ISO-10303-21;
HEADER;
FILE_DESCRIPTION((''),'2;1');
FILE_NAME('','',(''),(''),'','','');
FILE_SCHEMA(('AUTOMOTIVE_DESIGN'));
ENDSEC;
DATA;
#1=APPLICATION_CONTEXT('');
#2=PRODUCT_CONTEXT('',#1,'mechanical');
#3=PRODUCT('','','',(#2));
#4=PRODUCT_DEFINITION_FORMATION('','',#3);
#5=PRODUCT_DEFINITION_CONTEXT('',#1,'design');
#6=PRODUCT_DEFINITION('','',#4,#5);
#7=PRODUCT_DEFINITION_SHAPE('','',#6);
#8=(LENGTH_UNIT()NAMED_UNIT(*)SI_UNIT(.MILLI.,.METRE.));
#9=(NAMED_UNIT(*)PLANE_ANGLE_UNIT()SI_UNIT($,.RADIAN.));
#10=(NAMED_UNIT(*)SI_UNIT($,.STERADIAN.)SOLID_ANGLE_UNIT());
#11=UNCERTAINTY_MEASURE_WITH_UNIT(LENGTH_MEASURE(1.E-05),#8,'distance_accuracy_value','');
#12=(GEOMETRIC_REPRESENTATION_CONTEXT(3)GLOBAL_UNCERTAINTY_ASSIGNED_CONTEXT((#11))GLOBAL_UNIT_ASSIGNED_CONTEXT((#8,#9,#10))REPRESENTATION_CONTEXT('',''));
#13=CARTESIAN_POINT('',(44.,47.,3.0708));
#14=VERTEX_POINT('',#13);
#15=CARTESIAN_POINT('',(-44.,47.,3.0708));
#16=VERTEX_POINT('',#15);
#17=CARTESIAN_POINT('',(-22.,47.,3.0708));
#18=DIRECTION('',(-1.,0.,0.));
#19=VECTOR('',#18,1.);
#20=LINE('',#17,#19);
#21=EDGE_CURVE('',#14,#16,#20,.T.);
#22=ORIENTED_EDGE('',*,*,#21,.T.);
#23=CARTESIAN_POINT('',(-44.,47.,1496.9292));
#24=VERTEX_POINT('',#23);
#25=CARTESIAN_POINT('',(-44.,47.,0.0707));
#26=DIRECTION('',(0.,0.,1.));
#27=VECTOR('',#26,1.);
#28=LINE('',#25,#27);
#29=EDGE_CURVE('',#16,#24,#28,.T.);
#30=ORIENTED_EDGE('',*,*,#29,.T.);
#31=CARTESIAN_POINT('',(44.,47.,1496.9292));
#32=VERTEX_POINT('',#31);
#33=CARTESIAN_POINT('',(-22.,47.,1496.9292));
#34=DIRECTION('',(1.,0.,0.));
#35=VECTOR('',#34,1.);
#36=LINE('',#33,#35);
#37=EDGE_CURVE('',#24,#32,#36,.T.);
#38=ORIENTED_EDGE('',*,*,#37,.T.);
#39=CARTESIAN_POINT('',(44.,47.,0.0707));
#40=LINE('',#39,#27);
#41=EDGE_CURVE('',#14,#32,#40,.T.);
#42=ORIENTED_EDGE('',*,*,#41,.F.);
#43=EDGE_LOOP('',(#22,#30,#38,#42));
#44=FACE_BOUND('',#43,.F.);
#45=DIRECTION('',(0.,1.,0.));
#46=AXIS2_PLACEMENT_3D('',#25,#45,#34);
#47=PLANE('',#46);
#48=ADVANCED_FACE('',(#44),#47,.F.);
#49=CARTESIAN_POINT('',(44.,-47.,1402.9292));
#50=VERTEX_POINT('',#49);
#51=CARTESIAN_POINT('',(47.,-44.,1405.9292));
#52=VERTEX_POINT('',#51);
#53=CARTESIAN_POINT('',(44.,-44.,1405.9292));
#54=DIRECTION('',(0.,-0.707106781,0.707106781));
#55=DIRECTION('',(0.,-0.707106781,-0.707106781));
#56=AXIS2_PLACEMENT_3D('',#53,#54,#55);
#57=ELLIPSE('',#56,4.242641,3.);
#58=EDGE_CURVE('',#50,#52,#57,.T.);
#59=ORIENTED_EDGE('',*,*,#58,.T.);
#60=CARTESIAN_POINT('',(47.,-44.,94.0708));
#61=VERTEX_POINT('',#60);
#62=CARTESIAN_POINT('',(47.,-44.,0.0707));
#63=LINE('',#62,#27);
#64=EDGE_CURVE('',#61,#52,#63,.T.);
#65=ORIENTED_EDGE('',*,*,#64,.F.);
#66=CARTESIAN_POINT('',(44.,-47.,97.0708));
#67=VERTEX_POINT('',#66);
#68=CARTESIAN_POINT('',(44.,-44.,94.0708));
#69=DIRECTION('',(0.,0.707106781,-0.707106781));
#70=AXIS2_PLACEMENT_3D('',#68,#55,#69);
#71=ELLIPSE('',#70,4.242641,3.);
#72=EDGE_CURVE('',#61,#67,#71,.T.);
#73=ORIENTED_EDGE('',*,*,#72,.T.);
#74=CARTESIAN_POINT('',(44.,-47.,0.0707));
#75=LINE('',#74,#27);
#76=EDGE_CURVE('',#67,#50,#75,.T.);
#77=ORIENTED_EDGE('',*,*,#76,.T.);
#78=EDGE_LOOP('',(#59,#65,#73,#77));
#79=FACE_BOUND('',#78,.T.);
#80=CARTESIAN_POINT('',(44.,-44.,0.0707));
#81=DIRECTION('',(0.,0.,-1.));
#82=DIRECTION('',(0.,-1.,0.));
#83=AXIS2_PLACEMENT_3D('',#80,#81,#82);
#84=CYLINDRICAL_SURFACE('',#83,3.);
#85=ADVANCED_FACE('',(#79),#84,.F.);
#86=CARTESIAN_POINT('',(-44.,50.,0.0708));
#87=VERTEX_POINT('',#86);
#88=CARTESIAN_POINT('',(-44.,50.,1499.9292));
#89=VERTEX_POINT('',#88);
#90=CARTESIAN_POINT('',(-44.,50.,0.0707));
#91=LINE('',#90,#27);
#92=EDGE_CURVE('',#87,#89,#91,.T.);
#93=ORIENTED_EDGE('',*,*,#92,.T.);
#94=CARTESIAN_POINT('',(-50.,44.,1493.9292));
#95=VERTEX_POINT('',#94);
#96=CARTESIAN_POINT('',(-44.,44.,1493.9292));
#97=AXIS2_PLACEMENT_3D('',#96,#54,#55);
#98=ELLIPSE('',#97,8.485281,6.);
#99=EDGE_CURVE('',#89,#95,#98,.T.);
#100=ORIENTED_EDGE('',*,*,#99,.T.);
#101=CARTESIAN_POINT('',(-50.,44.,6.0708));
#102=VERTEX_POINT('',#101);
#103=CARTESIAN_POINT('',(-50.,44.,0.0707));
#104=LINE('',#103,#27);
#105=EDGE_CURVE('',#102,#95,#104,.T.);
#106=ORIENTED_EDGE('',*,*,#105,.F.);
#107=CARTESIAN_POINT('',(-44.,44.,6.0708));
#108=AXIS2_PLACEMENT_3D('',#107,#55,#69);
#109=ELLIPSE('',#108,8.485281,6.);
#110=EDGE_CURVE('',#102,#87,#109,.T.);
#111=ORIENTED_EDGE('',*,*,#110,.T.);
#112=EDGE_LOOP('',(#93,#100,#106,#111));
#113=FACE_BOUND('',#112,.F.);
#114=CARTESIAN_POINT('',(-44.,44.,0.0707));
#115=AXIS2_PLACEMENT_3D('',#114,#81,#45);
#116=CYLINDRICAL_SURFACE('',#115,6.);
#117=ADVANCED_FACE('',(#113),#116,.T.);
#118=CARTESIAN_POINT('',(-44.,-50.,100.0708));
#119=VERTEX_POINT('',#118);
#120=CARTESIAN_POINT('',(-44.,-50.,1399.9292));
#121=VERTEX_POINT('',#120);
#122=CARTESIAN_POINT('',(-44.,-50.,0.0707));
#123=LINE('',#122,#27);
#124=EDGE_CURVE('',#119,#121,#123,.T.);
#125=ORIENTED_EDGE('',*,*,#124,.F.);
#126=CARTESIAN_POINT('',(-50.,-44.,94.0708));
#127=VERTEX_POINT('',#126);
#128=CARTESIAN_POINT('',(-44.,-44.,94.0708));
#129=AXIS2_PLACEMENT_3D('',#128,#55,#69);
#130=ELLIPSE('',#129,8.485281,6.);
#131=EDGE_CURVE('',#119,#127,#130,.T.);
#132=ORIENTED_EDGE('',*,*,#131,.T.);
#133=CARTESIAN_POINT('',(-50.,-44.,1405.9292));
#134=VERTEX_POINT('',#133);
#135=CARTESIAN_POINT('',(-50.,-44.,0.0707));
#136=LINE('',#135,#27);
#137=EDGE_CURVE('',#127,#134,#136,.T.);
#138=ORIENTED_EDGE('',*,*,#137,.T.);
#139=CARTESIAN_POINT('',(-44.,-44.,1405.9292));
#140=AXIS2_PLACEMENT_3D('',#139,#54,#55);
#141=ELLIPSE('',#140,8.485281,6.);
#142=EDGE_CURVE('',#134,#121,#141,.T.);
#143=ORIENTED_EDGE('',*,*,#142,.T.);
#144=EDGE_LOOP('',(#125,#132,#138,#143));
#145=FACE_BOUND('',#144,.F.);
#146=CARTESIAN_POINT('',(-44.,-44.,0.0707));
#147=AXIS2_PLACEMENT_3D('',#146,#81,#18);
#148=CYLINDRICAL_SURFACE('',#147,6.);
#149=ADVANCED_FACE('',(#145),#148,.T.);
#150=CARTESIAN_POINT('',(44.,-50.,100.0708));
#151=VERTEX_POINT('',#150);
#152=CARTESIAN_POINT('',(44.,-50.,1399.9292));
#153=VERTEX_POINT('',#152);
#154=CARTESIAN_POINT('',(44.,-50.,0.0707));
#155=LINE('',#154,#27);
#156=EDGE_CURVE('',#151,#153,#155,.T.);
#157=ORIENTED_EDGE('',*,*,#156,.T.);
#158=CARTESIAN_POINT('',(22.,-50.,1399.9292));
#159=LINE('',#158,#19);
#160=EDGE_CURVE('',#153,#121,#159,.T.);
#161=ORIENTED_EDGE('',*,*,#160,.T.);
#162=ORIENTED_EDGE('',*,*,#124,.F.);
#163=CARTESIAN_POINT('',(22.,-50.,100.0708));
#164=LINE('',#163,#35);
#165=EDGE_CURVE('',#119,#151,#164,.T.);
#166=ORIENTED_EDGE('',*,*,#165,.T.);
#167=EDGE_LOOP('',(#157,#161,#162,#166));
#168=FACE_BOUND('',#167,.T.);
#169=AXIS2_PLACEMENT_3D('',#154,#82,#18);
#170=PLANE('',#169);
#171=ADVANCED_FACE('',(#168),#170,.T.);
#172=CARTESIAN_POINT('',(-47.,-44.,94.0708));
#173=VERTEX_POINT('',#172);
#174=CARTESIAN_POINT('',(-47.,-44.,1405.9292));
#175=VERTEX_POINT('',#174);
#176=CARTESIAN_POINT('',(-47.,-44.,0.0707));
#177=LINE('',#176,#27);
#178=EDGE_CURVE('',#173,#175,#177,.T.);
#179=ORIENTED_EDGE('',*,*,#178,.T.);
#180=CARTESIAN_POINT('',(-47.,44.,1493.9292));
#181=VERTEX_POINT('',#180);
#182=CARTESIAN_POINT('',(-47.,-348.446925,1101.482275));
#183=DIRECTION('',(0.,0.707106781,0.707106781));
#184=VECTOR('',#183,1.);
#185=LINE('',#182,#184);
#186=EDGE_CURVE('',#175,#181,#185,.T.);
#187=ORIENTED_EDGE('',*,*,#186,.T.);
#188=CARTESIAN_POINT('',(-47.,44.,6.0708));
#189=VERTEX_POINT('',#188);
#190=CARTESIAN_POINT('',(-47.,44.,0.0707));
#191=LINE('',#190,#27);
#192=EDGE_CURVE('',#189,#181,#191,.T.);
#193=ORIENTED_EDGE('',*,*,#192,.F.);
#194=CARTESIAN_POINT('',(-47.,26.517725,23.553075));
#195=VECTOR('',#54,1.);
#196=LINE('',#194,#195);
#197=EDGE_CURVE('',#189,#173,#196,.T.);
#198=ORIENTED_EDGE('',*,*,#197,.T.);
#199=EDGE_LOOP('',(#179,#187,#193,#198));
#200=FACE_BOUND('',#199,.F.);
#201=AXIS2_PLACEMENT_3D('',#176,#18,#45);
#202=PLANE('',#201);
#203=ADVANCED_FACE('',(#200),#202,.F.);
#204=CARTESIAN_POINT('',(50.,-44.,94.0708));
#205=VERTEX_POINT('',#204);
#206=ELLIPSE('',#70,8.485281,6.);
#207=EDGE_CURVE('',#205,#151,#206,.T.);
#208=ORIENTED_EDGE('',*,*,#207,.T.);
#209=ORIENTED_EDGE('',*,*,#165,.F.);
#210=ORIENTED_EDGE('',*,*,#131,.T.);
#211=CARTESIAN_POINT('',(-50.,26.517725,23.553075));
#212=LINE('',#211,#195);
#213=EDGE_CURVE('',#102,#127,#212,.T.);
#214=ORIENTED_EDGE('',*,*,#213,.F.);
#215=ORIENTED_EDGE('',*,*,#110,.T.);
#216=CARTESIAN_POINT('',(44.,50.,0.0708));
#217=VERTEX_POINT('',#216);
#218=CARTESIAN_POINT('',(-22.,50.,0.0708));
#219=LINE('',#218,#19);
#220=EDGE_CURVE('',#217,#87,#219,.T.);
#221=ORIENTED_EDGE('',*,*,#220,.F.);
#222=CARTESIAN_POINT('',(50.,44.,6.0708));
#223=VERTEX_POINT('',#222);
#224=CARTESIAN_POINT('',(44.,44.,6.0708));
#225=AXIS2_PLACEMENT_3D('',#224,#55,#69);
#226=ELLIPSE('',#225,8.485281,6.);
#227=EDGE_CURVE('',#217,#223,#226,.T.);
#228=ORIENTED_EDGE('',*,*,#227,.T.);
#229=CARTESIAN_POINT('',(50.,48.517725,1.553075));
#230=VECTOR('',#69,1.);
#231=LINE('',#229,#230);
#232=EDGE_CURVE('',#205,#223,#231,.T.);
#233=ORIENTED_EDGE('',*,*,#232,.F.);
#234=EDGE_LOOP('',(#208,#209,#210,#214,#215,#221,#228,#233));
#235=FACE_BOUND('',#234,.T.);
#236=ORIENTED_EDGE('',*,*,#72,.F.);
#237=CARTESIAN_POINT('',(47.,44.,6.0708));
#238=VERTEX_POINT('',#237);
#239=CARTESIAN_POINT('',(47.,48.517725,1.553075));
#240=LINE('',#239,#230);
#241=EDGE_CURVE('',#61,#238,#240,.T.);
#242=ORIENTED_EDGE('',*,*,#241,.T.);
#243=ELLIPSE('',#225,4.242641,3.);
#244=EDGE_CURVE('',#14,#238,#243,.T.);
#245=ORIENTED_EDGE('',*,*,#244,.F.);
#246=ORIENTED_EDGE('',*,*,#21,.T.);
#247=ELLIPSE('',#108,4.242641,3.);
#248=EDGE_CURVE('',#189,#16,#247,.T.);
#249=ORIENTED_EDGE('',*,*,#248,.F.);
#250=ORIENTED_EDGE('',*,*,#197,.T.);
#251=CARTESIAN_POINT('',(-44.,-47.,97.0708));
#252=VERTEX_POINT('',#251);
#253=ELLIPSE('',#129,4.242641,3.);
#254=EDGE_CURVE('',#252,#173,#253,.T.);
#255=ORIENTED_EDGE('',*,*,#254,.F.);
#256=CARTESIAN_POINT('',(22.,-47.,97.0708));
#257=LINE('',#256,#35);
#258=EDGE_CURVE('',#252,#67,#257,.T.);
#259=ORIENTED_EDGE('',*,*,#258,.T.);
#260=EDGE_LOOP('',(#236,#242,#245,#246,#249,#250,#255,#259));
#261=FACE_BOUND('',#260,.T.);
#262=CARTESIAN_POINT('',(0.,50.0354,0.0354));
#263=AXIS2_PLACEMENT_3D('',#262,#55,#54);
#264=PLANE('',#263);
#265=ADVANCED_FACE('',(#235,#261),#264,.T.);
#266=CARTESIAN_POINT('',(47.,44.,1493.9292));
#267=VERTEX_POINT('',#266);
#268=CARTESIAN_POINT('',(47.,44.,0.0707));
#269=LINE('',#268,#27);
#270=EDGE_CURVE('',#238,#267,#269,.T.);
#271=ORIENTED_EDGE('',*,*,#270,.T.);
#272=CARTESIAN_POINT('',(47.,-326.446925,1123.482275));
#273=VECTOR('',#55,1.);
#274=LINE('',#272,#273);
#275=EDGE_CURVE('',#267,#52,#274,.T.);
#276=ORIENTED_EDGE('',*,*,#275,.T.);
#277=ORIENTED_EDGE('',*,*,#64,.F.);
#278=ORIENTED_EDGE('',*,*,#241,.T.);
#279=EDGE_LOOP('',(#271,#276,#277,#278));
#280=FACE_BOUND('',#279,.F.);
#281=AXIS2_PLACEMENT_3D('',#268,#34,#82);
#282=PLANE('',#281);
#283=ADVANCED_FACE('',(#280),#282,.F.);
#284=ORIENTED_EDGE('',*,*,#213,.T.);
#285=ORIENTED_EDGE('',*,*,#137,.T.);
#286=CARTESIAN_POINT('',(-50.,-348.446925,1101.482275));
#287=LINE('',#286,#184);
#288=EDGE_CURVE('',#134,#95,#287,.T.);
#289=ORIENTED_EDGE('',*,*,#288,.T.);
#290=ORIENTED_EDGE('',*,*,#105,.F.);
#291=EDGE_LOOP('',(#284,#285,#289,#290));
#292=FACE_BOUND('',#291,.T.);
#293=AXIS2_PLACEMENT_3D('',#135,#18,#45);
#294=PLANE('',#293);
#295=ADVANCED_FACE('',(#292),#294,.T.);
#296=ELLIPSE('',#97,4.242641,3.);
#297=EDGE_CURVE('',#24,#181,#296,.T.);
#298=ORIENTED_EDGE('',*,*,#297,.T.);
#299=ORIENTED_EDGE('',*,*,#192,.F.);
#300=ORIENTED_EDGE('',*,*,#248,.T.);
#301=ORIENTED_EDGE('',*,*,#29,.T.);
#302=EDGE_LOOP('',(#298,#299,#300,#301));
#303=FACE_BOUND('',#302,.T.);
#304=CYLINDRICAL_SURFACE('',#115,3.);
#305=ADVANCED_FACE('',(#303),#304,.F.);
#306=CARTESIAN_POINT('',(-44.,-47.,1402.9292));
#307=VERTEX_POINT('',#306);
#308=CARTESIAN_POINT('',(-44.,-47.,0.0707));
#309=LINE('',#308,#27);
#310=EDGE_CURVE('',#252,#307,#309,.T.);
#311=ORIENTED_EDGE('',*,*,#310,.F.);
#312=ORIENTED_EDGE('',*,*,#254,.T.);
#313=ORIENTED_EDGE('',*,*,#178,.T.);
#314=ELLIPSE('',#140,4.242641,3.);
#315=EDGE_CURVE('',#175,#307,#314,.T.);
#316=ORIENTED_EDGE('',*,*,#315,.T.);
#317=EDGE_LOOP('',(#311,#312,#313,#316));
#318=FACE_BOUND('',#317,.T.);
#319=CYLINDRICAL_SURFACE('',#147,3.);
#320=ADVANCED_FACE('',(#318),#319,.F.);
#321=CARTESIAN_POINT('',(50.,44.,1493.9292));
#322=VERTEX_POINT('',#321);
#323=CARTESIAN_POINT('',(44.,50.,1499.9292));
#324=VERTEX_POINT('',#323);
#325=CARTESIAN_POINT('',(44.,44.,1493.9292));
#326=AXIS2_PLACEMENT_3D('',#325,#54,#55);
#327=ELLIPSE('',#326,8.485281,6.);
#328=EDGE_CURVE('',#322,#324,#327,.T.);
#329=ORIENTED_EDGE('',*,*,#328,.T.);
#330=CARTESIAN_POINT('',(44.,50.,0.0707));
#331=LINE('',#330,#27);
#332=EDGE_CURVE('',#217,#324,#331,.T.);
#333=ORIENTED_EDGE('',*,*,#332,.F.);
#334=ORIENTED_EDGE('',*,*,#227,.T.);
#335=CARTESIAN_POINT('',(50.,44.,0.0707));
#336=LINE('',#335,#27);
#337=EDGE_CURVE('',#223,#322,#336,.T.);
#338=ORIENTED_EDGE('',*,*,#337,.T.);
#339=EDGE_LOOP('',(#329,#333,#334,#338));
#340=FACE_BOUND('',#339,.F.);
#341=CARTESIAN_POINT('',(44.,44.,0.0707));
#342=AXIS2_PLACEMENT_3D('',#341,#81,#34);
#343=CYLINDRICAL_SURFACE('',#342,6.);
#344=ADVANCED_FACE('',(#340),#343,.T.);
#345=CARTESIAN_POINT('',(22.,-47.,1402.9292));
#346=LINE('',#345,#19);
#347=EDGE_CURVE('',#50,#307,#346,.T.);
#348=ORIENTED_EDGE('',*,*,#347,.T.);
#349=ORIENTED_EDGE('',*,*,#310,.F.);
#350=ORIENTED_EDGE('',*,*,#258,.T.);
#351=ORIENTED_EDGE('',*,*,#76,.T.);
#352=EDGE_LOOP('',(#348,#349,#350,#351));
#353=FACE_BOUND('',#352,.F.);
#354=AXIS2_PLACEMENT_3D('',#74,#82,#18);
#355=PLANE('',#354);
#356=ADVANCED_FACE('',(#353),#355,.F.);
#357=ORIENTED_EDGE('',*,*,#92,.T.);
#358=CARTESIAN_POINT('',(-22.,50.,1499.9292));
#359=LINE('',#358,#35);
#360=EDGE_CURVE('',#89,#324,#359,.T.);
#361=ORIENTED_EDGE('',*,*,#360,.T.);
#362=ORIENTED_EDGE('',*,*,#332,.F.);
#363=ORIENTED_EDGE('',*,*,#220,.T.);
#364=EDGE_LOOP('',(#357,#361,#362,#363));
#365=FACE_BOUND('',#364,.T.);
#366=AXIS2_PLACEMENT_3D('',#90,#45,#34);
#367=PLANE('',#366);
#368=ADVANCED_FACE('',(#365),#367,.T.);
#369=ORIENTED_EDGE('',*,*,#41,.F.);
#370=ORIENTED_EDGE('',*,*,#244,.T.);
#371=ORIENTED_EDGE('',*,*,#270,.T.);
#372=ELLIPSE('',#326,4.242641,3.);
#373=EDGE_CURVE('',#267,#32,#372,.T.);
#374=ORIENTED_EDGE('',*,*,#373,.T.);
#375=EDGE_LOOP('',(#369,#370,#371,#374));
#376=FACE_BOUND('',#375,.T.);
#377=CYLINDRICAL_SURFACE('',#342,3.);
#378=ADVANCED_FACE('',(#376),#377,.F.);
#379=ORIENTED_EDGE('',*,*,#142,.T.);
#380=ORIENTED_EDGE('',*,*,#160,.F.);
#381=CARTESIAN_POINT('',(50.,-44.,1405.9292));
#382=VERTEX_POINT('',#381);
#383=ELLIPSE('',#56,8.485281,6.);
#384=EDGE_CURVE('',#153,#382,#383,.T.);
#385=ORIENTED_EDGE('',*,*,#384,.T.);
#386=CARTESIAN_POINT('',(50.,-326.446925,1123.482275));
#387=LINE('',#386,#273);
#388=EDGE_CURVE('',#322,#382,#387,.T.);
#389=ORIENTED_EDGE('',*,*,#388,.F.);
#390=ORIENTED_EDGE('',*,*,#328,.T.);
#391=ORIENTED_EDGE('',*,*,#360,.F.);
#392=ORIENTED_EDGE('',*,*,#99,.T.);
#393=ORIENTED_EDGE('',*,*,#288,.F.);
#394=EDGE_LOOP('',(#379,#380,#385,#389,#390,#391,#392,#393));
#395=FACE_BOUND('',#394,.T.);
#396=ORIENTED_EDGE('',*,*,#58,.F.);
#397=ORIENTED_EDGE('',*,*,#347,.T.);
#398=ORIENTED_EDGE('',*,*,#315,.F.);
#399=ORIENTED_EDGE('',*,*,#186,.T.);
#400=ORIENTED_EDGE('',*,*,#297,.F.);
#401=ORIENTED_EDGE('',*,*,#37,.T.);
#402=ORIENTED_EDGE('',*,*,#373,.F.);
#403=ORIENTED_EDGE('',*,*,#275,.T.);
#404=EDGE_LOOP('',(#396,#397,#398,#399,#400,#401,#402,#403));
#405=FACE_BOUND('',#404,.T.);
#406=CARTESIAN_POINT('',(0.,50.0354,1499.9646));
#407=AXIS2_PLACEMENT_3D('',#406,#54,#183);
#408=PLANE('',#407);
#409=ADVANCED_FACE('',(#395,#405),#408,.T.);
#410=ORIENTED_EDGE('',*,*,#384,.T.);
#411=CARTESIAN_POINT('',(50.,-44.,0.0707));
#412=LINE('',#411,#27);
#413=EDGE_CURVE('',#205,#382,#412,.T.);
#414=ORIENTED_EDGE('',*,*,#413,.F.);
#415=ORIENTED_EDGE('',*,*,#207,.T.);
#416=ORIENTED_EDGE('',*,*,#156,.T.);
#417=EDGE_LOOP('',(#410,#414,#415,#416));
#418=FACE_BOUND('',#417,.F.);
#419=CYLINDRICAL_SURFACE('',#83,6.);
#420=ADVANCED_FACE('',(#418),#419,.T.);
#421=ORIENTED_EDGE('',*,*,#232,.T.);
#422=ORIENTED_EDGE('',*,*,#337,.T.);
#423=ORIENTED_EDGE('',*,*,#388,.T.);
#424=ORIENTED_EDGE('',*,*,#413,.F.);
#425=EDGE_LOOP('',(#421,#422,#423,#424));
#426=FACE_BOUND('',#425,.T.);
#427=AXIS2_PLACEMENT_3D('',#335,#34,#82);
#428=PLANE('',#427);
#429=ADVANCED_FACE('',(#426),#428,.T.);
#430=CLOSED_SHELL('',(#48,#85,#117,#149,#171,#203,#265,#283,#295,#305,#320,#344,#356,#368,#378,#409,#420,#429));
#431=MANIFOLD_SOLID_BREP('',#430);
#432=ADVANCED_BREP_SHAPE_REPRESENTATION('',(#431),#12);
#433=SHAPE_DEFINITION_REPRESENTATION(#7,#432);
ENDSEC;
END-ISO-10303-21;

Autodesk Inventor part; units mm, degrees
ref_plane "Start Plane" through (0, 0, 0.0707) normal (0, 0, 1) x (1, 0, 0)
ref_plane "End Plane" through (0, 0, 1499.9293) normal (0, 0, 1) x (1, 0, 0)
sketch "Sketch" plane through (0, 0, 0) normal (0, 0, 1) x (1, 0, 0)
  line L0 (-50, -44) -> (-50, 44)
  line L1 (-44, 50) -> (44, 50)
  line L2 (50, 44) -> (50, -44)
  line L3 (44, -50) -> (-44, -50)
  arc A0 (-50, -44) -> (-44, -50) centre (-44, -44) ccw
  arc A1 (50, 44) -> (44, 50) centre (44, 44) ccw
  arc A2 (-44, 50) -> (-50, 44) centre (-44, 44) ccw
  arc A3 (44, -50) -> (50, -44) centre (44, -44) ccw
  arc A4 (-44, 47) -> (-47, 44) centre (-44, 44) ccw
  line L4 (-44, 47) -> (44, 47)
  arc A5 (47, 44) -> (44, 47) centre (44, 44) ccw
  line L5 (47, 44) -> (47, -44)
  arc A6 (44, -47) -> (47, -44) centre (44, -44) ccw
  line L6 (44, -47) -> (-44, -47)
  arc A7 (-47, -44) -> (-44, -47) centre (-44, -44) ccw
  line L7 (-47, -44) -> (-47, 44)
  line L8 (0, 71.7397) -> (0, -71.7397) construction
  line L9 (-71.7397, 0) -> (71.7397, 0) construction
  dimension "d7" = 6
  dimension "d9" = 100
  dimension "d11" = 100
  dimension "d12" = 3
  dimension "d15" = 50
  dimension "d16" = 50
extrude "Body" add sketch "Sketch" along normal up to surface (1499.8586 mm away) from surface at 0.0707
sketch "Sketch3" plane through (0, 0, 0) normal (0, 0, 1) x (1, 0, 0)
  line L0 (0, 0) -> (10, 0)
ref_plane "Work Plane3" through (0, 0, 0) normal (0, -1, 0) x (1, 0, 0)
ref_plane "Work Plane4" through (0, 50.0354, 0.0354) normal (0, -0.7071, -0.7071) x (1, 0, 0)
split "Split1" plane through (0, 50.0354, 0.0354) removes the side toward (0, -0.7071, -0.7071)
ref_plane "Work Plane5" through (0, 50.0354, 1499.9646) normal (0, -0.7071, 0.7071) x (1, 0, 0)
split "Split2" plane through (0, 50.0354, 1499.9646) removes the side toward (0, -0.7071, 0.7071)
sketch "Sketch4" plane through (0, 0, 0) normal (0, -1, 0) x (1, 0, 0)
  line L0 (-2, 0.0707) -> (12, 0.0707) projected
  line L1 (-2, 1499.9293) -> (12, 1499.9293) projected
  dimension "d18" = 1499.8586
equation "\"d7\" = G_IR"
equation "\"d9\" = G_W"
equation "\"d11\" = G_H"
equation "\"d12\" = G_T"
equation "\"d15\" = 0.5 * d9"
equation "\"d16\" = 0.5 * d11"
equation "\"d3\" = G_L"
equation "\"G_W\" = 100"
equation "\"G_H\" = 100"
equation "\"G_T\" = 3"
equation "\"G_IR\" = 6"
equation "\"G_L\" = d18"
equation "\"G_OFFSET_START\" = -0.07071"
equation "\"G_OFFSET_END\" = -0.07071"
equation "\"d13\" = -G_OFFSET_START"
equation "\"d14\" = G_OFFSET_END + B_L"
equation "\"B_L\" = 1500"
properties part number "ISO 10799-2 - 100x100x3 - 1499,86" material "Steel"
